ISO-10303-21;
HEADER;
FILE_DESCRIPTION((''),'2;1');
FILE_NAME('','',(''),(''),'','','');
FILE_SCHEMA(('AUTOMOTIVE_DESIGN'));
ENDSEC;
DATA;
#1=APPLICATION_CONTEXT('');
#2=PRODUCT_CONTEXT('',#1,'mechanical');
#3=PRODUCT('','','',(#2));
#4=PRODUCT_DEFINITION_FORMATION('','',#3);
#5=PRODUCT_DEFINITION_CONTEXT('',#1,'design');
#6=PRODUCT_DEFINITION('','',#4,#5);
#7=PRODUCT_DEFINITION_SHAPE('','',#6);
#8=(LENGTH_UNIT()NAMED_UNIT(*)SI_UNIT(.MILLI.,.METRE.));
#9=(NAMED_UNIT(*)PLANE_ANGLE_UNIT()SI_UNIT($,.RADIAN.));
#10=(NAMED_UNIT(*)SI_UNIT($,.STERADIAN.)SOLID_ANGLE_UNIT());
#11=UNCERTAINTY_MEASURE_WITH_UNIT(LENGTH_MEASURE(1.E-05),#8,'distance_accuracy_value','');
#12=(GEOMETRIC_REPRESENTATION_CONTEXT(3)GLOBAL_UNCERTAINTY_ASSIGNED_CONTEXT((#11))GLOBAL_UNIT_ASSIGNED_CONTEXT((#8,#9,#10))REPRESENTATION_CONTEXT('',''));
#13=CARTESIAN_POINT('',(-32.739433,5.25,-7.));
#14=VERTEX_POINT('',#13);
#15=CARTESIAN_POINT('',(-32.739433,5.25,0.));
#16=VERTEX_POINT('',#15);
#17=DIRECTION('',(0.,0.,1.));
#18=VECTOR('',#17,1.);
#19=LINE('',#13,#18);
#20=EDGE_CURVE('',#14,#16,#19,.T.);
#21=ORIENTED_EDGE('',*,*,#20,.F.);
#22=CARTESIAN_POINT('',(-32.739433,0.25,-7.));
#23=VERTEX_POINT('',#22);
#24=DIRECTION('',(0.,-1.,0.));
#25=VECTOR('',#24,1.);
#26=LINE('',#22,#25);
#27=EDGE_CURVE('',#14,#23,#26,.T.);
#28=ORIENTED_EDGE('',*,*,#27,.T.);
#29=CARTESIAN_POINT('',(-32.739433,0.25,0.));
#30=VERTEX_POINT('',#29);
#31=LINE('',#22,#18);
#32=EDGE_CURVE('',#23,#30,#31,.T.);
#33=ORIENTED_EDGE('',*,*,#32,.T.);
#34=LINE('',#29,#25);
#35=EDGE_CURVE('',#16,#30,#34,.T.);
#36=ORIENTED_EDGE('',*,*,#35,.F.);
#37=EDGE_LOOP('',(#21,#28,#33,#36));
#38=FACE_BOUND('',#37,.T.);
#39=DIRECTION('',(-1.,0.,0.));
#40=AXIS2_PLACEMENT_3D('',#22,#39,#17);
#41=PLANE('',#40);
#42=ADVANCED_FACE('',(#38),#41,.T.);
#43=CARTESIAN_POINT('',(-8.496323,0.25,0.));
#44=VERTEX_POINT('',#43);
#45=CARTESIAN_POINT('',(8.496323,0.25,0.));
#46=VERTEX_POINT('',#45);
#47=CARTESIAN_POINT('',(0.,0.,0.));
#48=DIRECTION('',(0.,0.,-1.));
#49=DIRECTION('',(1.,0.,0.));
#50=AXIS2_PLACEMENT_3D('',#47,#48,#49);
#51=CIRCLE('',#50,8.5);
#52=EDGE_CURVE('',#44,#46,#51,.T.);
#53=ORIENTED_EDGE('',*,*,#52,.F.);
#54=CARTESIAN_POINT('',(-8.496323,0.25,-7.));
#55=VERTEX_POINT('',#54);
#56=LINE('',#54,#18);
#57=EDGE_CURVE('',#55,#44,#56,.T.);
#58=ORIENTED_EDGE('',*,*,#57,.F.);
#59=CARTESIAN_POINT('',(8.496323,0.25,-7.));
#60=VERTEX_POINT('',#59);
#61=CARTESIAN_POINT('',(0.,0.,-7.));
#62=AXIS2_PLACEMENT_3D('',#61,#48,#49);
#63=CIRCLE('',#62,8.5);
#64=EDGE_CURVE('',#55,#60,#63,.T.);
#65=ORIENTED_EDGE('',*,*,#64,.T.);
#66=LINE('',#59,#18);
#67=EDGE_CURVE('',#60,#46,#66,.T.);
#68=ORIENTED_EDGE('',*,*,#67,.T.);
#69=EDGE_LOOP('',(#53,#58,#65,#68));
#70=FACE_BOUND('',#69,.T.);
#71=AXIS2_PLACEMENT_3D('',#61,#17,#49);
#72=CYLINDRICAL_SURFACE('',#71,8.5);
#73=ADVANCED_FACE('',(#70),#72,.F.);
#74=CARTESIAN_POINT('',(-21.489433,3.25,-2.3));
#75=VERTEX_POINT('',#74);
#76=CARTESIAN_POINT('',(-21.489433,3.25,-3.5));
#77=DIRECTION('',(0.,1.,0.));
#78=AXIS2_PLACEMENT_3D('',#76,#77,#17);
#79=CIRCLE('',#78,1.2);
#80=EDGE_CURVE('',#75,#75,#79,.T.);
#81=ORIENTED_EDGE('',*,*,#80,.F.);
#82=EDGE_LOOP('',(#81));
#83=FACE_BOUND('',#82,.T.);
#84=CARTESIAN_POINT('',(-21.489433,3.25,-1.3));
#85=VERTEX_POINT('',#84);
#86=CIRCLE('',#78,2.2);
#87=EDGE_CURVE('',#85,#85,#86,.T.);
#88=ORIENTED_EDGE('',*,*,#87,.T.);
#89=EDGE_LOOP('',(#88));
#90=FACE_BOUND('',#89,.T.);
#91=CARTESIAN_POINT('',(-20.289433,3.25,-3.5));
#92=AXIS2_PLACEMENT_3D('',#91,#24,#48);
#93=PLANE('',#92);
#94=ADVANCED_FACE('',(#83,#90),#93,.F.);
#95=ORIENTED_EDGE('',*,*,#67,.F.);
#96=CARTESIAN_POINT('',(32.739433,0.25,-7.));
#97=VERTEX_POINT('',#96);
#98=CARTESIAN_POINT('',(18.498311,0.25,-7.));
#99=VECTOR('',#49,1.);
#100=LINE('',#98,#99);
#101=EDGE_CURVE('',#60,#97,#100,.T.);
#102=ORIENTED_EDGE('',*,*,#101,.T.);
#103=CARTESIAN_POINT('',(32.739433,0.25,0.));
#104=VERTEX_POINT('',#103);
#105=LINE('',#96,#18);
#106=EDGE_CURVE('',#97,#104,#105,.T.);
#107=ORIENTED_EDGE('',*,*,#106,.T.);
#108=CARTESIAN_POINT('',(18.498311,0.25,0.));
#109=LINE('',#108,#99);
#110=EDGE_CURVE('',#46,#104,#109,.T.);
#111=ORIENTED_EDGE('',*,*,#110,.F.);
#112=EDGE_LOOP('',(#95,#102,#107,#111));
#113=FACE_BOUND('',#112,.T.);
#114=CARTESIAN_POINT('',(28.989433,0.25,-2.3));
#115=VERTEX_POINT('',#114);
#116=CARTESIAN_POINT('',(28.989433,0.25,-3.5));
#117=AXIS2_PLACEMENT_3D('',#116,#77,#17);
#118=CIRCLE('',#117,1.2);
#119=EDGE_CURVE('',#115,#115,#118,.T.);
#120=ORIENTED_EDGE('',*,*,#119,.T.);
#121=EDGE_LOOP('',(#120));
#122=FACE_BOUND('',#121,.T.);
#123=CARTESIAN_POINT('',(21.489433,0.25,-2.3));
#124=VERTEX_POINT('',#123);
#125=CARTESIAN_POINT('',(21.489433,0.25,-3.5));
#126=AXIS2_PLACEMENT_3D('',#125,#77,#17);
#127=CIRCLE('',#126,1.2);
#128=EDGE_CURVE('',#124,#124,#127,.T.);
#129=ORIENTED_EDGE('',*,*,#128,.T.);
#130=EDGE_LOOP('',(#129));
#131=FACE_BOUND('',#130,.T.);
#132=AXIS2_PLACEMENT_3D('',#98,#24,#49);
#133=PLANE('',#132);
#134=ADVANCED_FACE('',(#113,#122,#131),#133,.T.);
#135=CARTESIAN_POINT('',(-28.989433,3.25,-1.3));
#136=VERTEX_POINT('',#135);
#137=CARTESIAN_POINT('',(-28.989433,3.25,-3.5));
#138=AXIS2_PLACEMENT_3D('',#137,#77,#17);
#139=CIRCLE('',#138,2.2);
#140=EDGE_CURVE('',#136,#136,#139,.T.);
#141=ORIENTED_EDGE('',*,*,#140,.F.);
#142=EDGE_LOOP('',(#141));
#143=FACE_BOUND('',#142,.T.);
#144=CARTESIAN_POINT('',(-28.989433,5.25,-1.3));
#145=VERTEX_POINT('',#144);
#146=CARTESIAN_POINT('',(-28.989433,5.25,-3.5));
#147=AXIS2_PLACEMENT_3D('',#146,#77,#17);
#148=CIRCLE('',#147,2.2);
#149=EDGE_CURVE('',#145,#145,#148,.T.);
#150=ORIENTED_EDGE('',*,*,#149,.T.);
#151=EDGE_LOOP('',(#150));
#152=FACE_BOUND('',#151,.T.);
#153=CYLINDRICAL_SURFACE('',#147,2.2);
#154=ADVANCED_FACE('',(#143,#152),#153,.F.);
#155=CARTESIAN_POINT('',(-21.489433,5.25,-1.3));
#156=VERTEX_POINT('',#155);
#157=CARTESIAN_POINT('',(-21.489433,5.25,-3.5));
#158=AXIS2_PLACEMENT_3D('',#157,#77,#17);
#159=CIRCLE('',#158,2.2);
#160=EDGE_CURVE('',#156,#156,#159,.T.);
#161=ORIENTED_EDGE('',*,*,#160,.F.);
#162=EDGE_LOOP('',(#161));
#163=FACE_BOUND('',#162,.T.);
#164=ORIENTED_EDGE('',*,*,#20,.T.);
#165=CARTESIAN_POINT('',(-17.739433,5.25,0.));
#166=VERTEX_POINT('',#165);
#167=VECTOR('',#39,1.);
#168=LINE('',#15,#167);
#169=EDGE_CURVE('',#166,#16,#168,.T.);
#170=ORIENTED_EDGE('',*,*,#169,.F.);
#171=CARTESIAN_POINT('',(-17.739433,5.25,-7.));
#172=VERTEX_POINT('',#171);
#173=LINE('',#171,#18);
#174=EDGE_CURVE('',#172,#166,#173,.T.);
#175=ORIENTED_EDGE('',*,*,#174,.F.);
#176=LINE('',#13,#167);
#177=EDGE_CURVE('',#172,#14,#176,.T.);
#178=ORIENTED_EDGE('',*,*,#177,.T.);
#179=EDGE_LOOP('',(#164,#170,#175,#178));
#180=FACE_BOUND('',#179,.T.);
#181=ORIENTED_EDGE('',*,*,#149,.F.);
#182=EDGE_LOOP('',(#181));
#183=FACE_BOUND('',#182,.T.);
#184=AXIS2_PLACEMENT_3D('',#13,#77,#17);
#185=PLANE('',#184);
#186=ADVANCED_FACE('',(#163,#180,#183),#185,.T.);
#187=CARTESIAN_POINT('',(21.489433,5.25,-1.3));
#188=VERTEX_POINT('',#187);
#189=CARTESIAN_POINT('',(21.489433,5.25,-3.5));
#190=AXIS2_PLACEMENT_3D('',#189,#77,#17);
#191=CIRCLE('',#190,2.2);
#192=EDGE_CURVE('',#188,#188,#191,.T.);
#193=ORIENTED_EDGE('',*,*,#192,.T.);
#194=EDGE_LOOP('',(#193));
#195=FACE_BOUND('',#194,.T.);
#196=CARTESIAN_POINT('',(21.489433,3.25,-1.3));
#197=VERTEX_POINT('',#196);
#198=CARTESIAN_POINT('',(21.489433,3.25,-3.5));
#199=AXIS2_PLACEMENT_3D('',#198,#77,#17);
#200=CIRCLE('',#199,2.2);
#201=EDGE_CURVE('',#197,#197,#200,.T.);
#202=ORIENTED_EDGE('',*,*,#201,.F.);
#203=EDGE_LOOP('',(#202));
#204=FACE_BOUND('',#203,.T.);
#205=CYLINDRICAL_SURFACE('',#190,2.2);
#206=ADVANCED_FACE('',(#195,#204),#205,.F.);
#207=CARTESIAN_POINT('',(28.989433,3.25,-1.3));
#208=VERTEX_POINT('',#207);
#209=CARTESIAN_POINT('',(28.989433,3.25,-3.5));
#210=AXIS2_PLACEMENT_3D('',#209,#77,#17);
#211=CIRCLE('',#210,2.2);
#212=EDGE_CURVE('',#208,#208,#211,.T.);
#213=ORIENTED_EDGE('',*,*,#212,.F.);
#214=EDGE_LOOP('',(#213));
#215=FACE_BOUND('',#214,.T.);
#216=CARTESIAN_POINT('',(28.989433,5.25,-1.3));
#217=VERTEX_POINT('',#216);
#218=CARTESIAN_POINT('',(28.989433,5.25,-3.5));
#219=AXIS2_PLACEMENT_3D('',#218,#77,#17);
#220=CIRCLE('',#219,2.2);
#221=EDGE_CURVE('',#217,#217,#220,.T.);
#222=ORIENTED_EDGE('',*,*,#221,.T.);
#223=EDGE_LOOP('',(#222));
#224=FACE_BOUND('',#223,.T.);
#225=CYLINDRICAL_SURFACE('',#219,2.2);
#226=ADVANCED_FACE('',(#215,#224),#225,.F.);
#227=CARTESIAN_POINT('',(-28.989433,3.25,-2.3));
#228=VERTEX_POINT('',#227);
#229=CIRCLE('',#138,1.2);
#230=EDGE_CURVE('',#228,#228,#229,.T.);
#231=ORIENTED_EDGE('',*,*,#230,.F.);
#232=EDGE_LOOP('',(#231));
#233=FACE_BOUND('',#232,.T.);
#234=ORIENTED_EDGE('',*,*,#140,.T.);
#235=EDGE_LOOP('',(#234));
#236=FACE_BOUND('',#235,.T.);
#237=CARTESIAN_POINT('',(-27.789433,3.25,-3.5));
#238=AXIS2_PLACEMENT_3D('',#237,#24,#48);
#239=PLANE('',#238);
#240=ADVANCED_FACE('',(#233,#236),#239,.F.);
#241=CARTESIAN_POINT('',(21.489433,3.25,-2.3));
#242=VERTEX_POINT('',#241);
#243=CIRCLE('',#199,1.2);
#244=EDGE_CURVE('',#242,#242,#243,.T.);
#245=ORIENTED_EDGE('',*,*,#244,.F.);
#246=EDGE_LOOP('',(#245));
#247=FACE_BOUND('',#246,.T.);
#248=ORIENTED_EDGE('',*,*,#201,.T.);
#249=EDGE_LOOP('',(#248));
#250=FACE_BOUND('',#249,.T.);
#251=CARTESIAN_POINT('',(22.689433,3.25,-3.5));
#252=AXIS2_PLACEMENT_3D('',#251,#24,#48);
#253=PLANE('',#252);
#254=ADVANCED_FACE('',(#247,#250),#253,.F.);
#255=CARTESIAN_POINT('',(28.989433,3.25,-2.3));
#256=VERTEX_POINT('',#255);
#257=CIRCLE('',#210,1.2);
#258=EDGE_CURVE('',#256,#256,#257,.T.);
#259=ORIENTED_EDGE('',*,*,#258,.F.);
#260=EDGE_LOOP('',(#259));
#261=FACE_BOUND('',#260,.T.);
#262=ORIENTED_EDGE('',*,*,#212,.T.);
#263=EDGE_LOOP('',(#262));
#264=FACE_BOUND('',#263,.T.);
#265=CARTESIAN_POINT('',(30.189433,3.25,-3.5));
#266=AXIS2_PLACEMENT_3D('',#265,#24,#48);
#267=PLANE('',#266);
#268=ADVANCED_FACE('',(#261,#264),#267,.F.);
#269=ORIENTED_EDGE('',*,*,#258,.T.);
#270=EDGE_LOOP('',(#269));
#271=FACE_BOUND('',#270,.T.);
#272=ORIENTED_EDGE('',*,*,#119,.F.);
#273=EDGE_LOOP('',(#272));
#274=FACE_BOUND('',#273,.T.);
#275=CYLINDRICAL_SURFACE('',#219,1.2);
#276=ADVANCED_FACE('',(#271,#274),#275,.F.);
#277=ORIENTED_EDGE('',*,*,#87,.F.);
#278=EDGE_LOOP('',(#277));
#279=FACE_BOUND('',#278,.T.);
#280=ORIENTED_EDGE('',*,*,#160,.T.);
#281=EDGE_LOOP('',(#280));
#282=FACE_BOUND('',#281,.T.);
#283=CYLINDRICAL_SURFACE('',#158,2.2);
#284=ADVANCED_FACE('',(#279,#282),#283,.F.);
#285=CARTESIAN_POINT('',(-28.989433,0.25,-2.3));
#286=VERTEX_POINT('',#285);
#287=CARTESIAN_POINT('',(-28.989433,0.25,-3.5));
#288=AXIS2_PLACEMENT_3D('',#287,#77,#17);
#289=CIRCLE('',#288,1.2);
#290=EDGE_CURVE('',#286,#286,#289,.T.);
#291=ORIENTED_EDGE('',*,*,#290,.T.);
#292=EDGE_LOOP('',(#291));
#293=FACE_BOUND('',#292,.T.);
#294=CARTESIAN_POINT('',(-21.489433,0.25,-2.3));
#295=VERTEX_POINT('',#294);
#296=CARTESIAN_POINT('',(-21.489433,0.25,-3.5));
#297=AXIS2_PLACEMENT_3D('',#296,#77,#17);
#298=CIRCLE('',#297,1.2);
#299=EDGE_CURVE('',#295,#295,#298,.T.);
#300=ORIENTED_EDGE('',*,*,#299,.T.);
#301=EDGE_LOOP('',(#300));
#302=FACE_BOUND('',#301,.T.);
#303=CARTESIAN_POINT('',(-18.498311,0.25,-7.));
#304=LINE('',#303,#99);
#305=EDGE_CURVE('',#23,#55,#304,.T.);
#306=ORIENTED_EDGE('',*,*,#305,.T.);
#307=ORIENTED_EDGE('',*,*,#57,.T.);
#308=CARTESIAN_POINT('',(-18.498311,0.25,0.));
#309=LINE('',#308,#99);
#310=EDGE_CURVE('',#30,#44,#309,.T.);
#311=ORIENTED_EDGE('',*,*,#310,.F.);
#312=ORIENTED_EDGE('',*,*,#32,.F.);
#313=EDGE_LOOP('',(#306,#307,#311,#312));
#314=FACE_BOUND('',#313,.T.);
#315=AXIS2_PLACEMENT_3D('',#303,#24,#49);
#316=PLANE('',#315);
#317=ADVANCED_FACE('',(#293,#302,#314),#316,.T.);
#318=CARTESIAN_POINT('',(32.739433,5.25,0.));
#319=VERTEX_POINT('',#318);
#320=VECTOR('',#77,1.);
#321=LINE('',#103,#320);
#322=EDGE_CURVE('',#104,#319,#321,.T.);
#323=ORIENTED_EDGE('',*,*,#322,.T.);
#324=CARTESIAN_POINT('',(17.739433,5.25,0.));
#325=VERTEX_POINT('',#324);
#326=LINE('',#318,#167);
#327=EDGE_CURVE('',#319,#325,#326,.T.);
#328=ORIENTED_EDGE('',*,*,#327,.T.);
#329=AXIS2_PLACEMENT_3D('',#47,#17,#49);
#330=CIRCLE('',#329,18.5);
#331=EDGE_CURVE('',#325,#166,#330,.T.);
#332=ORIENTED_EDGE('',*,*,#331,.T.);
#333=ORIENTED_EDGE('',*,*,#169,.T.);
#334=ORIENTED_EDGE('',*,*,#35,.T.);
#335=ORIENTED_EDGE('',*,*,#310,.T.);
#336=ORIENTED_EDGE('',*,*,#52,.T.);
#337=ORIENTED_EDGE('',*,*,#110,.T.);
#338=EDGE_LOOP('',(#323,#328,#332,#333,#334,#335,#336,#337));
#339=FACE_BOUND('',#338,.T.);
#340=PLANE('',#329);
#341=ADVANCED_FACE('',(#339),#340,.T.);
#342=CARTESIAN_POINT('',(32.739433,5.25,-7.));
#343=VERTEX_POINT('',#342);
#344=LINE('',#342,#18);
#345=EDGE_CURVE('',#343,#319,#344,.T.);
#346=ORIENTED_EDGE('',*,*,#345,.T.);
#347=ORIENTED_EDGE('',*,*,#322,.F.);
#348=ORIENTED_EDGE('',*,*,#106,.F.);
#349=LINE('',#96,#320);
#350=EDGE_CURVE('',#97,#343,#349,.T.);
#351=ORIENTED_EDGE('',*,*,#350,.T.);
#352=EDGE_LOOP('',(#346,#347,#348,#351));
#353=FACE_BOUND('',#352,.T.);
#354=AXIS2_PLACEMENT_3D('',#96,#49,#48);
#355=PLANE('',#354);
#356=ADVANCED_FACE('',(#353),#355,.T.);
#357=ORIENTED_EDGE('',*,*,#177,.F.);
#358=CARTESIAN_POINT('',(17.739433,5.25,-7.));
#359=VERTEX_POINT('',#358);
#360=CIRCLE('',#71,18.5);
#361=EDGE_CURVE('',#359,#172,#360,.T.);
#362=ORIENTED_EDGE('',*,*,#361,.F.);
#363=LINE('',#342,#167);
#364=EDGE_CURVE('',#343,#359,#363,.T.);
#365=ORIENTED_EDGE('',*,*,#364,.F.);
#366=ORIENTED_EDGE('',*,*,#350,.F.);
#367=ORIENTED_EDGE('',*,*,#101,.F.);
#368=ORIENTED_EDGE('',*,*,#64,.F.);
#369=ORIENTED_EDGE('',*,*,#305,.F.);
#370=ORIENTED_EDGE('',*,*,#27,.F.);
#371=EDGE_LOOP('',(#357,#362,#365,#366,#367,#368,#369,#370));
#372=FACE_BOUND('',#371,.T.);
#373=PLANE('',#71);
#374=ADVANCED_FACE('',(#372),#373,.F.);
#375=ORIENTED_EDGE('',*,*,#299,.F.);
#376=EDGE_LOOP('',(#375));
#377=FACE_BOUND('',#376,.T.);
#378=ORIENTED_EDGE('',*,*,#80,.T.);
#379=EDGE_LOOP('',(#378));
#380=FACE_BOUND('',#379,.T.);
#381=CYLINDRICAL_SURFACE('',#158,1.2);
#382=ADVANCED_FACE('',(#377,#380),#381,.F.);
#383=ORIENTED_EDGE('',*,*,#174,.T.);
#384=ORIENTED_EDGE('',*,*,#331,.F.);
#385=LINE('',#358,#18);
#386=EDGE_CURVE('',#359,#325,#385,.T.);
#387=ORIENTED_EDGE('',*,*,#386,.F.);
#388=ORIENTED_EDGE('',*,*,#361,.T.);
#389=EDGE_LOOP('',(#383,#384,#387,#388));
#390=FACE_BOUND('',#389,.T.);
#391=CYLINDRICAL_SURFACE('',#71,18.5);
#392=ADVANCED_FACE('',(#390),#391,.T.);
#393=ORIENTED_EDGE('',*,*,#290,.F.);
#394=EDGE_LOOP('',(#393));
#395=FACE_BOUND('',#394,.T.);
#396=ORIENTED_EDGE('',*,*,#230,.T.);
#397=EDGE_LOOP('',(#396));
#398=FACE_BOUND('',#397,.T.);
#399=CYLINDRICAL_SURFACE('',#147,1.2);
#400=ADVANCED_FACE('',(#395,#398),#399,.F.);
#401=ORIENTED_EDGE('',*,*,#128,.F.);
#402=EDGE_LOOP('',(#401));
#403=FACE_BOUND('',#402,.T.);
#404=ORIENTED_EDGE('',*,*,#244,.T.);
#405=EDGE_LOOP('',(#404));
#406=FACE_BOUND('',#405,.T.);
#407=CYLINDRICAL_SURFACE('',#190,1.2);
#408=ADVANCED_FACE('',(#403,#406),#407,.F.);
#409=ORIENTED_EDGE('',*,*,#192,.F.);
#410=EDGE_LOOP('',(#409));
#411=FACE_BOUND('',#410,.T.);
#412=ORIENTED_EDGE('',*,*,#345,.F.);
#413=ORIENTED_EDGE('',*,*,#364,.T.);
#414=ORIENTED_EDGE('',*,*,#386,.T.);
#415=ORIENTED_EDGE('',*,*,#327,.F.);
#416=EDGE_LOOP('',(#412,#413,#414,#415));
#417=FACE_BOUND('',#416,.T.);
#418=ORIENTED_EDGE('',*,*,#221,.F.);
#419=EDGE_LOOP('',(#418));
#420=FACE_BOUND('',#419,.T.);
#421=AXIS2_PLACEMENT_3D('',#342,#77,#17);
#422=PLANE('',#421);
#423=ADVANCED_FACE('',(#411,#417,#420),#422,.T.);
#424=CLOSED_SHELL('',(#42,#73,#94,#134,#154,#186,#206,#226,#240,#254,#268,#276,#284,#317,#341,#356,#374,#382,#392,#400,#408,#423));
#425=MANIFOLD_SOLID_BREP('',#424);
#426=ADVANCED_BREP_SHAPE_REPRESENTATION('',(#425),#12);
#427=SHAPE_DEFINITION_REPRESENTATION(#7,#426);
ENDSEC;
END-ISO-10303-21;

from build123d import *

# Parameters (mm, degrees)
BOSS_EXTRUDE1_DEPTH            = 7
CBORE_FOR_M2_SHCS1_D           = 2.4
CBORE_FOR_M2_SHCS1_CBORE_D     = 4.4
CBORE_FOR_M2_SHCS1_CBORE_DEPTH = 2


with BuildPart() as part:
    # Sketch1 → Boss-Extrude1 (new body)
    with BuildSketch(Plane.XY):
        with BuildLine():
            Line((-18.498310734, 0.25), (-32.739433475, 0.25))
            Line((-32.739433475, 0.25), (-32.739433475, 5.25))
            Line((-32.739433475, 5.25), (-17.739433475, 5.25))
            ThreePointArc((-17.739433475, 5.25), (0, 18.5), (17.739433475, 5.25))
            Line((17.739433475, 5.25), (32.739433475, 5.25))
            Line((32.739433475, 5.25), (32.739433475, 0.25))
            Line((32.739433475, 0.25), (18.498310734, 0.25))
            Line((18.498310734, 0.25), (8.496322734, 0.25))
            ThreePointArc((8.496322734, 0.25), (0, 8.5), (-8.496322734, 0.25))
            Line((-8.496322734, 0.25), (-18.498310734, 0.25))
        make_face()
    extrude(amount=-BOSS_EXTRUDE1_DEPTH)

    # CBORE for M2 SHCS1 (through all)
    with Locations(Plane(origin=(0, 5.25, 0), x_dir=(1, 0, 0), z_dir=(0, 1, 0))):
        with Locations((28.989433475, 3.5), (-28.989433475, 3.5), (-21.489433475, 3.5), (21.489433475, 3.5)):
            CounterBoreHole(CBORE_FOR_M2_SHCS1_D / 2, CBORE_FOR_M2_SHCS1_CBORE_D / 2, CBORE_FOR_M2_SHCS1_CBORE_DEPTH)


solid = part.part
